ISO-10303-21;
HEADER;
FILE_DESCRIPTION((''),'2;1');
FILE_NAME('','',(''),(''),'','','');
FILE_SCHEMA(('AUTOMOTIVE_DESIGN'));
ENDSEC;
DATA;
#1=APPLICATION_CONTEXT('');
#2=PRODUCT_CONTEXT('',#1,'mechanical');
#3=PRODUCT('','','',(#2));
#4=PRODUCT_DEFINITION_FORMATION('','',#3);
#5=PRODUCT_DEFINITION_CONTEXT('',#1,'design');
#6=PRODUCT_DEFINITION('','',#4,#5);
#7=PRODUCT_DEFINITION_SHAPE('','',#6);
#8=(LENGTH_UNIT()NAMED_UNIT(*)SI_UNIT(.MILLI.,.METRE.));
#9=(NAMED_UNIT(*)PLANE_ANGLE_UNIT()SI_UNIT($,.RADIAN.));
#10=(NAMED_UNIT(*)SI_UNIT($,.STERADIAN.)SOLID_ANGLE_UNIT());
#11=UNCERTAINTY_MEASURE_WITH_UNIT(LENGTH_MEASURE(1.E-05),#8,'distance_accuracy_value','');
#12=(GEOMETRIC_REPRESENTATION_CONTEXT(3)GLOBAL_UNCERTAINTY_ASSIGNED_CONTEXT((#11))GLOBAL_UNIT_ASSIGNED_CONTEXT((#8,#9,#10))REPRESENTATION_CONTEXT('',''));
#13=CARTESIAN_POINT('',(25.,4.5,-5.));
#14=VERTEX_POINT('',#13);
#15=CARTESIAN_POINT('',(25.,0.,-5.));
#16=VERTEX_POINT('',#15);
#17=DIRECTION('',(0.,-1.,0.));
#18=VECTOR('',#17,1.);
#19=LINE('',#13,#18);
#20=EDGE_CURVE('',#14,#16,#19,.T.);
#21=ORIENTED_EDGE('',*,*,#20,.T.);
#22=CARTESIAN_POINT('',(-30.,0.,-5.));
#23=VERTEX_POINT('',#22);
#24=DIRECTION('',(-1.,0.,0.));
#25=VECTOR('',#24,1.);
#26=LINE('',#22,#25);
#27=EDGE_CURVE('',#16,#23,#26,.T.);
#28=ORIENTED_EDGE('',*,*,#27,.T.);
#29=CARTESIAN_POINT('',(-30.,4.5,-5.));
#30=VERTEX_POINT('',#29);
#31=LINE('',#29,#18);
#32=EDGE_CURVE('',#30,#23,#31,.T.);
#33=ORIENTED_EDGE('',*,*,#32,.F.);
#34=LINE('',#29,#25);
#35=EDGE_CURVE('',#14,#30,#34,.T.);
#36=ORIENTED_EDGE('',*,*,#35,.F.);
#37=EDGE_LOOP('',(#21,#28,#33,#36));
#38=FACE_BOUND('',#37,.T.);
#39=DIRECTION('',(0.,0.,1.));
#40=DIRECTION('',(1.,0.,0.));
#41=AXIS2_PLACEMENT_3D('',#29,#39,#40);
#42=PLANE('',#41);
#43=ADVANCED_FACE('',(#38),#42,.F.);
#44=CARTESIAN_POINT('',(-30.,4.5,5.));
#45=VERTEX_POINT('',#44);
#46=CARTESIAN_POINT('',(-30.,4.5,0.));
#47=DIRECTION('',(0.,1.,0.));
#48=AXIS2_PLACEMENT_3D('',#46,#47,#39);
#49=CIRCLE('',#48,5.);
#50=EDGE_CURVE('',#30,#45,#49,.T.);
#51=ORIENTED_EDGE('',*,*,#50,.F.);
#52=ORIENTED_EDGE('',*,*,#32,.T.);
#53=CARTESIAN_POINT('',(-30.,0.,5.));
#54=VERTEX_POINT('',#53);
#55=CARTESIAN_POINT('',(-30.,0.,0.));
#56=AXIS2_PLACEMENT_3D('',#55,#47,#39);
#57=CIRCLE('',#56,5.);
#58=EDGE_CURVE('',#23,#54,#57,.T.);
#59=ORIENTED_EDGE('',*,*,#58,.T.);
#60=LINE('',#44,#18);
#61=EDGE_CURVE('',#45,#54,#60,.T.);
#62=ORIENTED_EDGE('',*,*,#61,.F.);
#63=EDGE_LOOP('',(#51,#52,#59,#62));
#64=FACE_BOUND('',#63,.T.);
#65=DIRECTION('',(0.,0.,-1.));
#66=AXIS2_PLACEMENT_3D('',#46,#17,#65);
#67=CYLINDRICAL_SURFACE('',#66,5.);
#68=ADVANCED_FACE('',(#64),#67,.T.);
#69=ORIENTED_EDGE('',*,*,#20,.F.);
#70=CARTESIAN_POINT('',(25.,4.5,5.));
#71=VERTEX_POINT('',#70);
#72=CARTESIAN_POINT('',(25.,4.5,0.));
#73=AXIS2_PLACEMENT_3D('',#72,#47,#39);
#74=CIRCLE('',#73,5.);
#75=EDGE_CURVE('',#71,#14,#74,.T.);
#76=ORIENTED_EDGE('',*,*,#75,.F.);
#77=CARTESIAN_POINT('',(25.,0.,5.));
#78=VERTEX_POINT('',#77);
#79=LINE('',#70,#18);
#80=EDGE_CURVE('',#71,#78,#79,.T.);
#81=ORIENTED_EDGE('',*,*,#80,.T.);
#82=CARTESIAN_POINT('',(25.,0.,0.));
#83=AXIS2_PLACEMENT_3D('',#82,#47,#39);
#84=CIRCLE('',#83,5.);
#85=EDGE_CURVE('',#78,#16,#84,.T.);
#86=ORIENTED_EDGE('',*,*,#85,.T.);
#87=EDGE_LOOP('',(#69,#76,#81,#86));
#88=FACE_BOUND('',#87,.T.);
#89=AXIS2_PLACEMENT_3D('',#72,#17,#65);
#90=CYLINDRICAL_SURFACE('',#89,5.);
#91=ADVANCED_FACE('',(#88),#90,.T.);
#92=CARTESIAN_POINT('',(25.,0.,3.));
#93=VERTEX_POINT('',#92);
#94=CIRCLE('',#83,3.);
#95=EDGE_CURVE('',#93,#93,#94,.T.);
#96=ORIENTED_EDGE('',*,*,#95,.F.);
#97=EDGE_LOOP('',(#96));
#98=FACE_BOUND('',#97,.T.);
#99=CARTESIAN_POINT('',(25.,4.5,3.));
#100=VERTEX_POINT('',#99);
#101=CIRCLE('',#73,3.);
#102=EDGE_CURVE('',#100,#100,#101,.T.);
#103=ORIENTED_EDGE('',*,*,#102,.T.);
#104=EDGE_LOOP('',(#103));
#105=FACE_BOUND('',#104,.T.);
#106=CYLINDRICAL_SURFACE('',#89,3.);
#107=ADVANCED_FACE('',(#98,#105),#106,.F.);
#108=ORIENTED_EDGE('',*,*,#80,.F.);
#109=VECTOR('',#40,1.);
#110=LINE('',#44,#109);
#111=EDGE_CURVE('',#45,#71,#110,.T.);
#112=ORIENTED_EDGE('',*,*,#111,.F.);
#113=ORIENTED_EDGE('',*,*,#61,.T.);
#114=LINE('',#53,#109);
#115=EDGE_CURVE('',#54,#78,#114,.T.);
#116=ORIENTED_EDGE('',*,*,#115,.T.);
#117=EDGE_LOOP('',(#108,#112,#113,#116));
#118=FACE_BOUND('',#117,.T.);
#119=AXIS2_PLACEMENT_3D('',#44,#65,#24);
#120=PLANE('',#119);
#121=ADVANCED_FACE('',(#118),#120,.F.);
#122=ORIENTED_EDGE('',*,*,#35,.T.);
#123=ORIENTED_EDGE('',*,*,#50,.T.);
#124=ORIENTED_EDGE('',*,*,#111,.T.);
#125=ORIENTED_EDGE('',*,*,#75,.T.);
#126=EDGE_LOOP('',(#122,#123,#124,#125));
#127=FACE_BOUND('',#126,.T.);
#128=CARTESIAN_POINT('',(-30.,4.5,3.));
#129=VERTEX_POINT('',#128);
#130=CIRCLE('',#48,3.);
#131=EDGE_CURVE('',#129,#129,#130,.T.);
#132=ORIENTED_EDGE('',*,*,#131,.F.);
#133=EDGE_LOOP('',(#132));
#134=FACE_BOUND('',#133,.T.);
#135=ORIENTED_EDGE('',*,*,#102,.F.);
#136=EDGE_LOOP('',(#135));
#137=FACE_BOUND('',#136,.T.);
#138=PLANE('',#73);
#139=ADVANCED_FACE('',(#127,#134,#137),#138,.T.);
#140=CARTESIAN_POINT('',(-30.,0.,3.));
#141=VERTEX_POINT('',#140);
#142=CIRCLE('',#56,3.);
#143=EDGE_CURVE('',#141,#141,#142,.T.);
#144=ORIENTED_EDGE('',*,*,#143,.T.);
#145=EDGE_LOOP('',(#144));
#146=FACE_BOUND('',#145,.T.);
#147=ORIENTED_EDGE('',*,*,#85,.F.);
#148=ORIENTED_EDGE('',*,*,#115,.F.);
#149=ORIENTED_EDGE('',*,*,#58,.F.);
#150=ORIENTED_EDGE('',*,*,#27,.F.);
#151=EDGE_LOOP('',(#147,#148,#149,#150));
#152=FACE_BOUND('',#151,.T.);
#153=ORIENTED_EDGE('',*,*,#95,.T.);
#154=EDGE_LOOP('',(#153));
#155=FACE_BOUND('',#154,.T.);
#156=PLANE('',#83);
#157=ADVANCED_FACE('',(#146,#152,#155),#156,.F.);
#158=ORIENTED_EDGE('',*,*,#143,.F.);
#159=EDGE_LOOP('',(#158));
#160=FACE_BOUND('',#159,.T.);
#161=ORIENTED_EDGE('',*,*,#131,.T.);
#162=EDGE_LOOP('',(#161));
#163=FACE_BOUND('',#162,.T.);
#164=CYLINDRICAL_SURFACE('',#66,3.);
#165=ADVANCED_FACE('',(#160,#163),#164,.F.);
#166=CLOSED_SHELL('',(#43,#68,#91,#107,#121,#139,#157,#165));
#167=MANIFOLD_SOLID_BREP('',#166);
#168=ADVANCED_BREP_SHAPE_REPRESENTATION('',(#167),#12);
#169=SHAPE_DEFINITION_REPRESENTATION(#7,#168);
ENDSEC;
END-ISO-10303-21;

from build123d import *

# Parameters (mm, degrees)
SKETCH_1_R      = 3
EXTRUDE_1_DEPTH = 4.5


with BuildPart() as part:
    # 草图1 → 凸台-拉伸1 (new body)
    with BuildSketch(Plane(origin=(0, 0, 0), x_dir=(1, 0, 0), z_dir=(0, 1, 0))):
        with BuildLine():
            Line((-30, 5), (25, 5))
            ThreePointArc((25, 5), (30, 0), (25, -5))
            Line((25, -5), (-30, -5))
            ThreePointArc((-30, -5), (-35, 0), (-30, 5))
        make_face()
        with Locations(Location((-30, 0, 0), (0, 0, 270))):
            Circle(SKETCH_1_R, mode=Mode.SUBTRACT)
        with Locations(Location((25, 0, 0), (0, 0, 270))):
            Circle(SKETCH_1_R, mode=Mode.SUBTRACT)
    extrude(amount=EXTRUDE_1_DEPTH)


solid = part.part
